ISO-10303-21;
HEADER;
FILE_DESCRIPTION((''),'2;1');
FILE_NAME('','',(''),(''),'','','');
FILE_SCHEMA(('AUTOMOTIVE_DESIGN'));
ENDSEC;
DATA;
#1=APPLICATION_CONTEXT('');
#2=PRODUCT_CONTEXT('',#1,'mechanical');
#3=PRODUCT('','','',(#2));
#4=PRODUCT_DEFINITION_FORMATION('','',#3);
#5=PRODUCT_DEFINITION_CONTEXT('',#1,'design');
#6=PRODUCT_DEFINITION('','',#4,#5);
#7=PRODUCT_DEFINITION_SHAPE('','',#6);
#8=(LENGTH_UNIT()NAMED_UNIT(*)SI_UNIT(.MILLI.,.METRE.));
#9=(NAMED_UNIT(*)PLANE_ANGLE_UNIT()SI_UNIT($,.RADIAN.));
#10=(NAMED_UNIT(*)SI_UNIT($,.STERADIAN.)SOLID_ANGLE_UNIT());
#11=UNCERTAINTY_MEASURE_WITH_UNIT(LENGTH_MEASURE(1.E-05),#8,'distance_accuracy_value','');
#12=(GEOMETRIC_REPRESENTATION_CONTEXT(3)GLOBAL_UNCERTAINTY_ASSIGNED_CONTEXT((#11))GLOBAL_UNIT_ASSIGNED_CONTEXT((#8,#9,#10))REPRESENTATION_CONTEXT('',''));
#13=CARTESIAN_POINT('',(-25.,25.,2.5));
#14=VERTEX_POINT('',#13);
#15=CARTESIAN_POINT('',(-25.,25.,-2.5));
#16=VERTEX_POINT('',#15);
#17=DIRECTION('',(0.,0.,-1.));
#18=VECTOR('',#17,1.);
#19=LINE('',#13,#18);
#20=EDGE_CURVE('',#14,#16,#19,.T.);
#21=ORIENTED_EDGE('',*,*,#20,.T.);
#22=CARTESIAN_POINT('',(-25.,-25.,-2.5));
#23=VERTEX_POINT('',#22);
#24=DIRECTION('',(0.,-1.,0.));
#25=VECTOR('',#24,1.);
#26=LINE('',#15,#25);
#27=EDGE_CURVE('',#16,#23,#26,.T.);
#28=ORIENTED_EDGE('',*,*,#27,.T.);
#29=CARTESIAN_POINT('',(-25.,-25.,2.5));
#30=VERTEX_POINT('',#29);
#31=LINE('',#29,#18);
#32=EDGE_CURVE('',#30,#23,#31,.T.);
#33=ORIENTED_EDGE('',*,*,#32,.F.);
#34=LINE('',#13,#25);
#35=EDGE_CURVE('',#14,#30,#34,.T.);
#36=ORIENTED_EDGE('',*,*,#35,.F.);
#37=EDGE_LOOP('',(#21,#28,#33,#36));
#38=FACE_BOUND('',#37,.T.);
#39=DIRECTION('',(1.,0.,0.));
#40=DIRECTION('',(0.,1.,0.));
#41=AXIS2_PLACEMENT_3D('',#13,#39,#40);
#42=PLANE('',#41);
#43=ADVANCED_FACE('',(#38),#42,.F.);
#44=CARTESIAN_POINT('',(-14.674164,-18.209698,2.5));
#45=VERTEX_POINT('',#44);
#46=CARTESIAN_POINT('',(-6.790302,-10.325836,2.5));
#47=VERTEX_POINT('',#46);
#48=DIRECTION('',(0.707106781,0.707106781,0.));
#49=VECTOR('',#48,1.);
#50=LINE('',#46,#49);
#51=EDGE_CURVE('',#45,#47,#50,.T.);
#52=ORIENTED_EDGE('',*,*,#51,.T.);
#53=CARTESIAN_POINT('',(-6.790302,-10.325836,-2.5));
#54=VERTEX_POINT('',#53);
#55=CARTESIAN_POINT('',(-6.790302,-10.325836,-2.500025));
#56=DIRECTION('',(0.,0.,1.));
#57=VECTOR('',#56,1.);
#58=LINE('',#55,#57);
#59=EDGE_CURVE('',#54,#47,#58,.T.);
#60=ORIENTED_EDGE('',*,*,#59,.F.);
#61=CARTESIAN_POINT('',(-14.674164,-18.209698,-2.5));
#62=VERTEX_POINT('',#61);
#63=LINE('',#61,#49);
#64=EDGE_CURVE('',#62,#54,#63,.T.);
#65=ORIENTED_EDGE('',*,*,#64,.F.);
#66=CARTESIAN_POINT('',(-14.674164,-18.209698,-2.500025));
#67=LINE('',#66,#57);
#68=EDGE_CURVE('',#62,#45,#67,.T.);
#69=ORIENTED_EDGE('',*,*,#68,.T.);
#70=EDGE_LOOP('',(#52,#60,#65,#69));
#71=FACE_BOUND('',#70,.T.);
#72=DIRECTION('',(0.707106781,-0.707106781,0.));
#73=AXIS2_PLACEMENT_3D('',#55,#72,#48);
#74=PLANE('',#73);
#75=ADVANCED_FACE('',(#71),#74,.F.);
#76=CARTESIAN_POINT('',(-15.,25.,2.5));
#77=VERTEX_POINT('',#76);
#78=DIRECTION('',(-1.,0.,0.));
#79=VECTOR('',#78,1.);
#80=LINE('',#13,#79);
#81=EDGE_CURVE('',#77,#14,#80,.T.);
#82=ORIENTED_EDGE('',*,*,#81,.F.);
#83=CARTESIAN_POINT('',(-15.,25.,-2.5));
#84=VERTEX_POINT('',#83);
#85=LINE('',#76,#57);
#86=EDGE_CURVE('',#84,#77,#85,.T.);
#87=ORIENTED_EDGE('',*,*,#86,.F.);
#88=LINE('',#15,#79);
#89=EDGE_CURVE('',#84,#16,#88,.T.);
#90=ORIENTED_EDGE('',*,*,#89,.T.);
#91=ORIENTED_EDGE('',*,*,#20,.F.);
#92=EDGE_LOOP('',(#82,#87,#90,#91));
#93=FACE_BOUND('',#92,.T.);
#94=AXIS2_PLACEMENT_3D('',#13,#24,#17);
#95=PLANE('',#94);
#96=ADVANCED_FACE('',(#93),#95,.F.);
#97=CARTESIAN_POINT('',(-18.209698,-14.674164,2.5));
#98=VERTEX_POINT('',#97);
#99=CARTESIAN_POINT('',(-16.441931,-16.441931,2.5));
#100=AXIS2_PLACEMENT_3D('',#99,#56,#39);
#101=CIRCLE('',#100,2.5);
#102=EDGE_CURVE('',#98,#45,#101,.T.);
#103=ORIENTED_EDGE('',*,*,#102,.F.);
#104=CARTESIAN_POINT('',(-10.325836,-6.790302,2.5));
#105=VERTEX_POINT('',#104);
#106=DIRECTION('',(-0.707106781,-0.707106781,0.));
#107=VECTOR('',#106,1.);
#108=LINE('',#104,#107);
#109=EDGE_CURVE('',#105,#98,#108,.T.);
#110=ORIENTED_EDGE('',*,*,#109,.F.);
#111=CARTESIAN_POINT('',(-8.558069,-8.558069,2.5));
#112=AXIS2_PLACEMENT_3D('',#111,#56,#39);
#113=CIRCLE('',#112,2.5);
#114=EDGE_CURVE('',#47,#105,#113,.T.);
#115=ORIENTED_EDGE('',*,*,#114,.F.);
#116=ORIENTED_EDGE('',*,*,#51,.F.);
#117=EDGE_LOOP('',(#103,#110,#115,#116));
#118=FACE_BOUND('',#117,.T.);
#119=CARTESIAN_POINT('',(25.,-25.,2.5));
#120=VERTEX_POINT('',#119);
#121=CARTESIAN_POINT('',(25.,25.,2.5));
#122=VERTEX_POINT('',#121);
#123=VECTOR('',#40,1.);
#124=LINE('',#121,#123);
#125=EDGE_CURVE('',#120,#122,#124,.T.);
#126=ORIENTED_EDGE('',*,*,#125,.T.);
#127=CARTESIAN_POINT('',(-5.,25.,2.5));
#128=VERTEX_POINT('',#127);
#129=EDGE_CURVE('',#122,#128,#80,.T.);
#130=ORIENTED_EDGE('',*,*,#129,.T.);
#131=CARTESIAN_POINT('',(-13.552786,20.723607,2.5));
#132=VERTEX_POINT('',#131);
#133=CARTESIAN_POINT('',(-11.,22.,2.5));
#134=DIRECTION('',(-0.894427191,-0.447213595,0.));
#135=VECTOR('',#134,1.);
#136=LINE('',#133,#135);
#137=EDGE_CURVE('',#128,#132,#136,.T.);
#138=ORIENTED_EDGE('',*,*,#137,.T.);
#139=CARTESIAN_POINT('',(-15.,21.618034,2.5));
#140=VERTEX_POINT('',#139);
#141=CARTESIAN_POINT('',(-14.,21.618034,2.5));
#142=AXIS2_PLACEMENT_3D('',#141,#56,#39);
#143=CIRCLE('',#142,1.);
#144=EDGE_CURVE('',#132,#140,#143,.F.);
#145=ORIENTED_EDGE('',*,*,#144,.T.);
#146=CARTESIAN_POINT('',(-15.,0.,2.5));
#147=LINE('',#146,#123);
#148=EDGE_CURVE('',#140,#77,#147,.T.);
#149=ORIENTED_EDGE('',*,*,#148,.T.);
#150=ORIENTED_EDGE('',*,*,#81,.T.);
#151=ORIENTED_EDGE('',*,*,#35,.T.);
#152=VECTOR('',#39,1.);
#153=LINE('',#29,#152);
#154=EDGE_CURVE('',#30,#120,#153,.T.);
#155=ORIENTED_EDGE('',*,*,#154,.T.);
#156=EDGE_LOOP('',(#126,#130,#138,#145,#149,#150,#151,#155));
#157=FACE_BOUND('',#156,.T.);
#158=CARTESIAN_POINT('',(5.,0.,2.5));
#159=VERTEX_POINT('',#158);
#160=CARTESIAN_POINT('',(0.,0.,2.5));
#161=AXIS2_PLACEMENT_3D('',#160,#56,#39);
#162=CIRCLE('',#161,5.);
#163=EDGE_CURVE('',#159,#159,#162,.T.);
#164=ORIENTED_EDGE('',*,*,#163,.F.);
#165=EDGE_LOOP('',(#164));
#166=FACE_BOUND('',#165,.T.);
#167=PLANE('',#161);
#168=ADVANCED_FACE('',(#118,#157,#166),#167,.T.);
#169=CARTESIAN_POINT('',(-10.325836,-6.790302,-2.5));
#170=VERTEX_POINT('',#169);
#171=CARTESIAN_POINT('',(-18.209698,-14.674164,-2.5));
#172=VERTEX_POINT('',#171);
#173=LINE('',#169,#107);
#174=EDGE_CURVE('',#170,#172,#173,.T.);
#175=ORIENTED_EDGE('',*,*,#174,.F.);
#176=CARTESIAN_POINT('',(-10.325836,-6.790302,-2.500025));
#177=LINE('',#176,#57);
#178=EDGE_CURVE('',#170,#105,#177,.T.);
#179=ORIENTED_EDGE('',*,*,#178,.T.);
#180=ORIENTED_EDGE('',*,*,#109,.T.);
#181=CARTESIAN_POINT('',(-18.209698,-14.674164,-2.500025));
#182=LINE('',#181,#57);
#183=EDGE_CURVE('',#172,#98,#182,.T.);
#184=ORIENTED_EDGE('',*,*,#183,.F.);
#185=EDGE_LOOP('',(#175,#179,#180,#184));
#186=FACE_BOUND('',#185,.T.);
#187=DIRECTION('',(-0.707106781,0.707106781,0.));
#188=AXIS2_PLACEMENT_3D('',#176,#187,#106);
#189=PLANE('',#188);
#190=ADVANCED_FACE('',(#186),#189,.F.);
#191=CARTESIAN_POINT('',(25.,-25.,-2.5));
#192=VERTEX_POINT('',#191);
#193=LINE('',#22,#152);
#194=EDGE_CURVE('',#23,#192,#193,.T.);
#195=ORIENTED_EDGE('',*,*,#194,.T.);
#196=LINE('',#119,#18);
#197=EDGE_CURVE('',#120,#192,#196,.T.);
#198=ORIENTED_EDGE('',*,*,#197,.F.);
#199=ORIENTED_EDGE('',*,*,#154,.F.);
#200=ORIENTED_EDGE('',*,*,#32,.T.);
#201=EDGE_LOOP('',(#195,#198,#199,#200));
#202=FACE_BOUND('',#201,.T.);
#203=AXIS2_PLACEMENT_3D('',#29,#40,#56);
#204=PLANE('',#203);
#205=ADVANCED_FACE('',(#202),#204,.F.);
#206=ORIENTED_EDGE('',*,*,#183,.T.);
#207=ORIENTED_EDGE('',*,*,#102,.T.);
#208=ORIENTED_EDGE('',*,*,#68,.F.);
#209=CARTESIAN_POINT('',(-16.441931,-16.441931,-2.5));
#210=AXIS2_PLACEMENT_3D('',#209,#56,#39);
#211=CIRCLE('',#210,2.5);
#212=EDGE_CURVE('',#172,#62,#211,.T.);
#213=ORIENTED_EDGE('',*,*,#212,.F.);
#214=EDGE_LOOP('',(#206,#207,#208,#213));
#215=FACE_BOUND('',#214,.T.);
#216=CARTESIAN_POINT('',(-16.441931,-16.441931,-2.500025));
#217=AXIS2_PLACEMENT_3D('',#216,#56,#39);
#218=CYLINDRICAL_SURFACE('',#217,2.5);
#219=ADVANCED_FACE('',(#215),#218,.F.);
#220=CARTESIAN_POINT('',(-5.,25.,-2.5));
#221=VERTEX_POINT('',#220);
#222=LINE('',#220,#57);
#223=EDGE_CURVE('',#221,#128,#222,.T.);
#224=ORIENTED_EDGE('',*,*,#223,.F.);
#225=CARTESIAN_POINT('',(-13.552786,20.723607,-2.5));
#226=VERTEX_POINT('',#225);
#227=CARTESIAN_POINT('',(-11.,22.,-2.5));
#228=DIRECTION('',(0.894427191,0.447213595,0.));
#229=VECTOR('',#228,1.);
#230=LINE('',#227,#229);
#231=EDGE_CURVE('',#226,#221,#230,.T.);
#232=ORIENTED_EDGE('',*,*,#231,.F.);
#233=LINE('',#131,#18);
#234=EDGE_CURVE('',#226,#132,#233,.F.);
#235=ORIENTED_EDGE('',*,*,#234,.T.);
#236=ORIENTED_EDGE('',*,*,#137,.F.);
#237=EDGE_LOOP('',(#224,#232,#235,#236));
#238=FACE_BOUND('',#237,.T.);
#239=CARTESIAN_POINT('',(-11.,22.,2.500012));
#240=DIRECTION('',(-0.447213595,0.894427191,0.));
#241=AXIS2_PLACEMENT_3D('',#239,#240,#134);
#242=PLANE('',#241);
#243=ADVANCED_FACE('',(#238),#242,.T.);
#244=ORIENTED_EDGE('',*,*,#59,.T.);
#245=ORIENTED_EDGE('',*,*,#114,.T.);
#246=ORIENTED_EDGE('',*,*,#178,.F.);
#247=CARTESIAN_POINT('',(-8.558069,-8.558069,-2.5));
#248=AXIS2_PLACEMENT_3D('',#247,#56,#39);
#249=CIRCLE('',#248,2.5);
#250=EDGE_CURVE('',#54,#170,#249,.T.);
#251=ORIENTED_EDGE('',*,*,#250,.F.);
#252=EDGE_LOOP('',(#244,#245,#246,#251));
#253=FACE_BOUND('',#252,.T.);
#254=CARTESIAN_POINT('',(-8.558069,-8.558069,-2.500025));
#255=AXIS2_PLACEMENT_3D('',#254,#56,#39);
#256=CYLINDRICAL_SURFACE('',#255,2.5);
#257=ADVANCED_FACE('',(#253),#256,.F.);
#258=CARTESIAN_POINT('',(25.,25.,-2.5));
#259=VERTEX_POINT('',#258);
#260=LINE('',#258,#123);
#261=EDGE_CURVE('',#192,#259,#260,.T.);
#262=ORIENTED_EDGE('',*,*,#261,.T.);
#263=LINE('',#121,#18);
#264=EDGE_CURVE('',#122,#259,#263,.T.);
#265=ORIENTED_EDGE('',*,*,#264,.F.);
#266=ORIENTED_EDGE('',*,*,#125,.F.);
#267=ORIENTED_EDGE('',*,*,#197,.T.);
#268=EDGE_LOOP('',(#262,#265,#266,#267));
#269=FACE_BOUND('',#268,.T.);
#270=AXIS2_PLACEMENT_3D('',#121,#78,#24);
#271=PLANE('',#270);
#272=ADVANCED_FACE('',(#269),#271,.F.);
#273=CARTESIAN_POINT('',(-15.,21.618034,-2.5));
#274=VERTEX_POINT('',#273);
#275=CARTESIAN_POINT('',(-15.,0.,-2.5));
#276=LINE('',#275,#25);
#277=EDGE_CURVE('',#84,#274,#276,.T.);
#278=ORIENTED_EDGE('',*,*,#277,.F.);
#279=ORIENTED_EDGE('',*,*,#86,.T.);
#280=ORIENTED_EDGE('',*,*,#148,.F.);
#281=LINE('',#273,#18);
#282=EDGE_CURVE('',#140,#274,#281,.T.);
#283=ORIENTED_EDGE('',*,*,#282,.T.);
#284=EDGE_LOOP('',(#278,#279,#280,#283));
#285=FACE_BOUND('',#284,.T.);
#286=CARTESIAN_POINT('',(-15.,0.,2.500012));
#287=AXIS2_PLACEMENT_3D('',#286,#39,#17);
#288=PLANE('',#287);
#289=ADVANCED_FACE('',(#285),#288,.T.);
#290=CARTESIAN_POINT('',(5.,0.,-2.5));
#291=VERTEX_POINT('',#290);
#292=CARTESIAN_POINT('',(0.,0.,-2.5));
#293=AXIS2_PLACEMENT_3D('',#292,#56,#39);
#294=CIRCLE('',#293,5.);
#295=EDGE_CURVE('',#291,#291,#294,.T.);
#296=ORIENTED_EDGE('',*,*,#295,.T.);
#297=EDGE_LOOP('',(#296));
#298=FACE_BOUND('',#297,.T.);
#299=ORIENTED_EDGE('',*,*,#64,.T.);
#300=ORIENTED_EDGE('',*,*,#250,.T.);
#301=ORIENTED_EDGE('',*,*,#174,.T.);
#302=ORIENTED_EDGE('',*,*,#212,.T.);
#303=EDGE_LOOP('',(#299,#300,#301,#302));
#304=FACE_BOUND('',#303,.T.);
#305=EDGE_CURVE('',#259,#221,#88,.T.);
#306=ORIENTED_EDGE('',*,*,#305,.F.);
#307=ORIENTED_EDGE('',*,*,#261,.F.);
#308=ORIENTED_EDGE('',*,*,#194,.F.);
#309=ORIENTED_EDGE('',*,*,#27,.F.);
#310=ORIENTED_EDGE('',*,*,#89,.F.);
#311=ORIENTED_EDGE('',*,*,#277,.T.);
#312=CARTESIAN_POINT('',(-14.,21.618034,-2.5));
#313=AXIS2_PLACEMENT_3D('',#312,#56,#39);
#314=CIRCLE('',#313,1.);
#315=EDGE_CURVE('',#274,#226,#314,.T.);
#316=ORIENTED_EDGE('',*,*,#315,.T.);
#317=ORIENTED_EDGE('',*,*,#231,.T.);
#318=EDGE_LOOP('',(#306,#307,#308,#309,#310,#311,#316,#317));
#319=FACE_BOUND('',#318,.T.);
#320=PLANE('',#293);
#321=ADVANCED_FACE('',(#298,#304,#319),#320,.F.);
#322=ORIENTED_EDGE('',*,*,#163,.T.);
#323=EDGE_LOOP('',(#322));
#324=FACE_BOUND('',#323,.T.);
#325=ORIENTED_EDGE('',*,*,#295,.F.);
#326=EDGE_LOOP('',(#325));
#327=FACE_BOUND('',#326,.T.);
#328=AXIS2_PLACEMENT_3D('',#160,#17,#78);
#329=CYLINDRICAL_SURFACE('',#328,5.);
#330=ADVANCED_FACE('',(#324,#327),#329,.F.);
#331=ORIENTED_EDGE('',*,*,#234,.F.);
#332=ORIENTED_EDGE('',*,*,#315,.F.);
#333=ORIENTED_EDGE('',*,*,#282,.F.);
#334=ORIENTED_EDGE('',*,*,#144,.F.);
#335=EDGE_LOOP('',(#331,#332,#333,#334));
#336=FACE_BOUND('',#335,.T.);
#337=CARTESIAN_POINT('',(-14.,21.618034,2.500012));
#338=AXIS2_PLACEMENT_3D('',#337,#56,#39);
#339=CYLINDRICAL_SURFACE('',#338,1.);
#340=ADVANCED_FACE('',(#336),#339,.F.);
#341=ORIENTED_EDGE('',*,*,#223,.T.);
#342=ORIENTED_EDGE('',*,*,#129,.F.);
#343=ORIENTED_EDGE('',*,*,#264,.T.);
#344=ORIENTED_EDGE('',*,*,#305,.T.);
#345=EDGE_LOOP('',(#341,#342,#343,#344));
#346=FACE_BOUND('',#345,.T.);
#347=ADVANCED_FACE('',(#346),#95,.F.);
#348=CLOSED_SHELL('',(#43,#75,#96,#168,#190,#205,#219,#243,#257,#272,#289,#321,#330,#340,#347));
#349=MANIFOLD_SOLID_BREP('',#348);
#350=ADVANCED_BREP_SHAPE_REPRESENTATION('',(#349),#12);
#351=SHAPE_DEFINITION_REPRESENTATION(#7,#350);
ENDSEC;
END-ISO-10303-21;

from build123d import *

# Parameters (mm, degrees)
SKETCH1_W               = 50
SKETCH1_H               = 50
SKETCH1_R               = 5
BOSS_EXTRUDE1_DEPTH     = 2.5
CUT_EXTRUDE2_DEPTH      = 36.707142143
CUT_EXTRUDE2_DEPTH_BACK = 5
FILLET1_R               = 1
CUT_EXTRUDE3_DEPTH      = 36.707142143


with BuildPart() as part:
    # Sketch1 → Boss-Extrude1 (new, symmetric)
    with BuildSketch(Plane.XY):
        Rectangle(SKETCH1_W, SKETCH1_H)
        Circle(SKETCH1_R, mode=Mode.SUBTRACT)
    extrude(amount=BOSS_EXTRUDE1_DEPTH, both=True)

    # Sketch4 → Cut-Extrude2 (cut, two sides: drawn at the far end of the back side and taken through both)
    with BuildSketch(Plane.XY.offset(2.5).offset(-CUT_EXTRUDE2_DEPTH_BACK)):
        Polygon((-5, 25), (-15, 25), (-15, 20), align=None)
    extrude(amount=CUT_EXTRUDE2_DEPTH + CUT_EXTRUDE2_DEPTH_BACK, mode=Mode.SUBTRACT)

    # Fillet1
    fillet1_edges = [part.edges().sort_by_distance(p)[0] for p in [
        (-15, 20, 0),
    ]]
    fillet(fillet1_edges, radius=FILLET1_R)

    # Sketch5 → Cut-Extrude3 (cut, through all)
    with BuildSketch(Plane.XY.offset(2.5)):
        with BuildLine():
            Line((-6.790302071, -10.325835977), (-14.674164023, -18.209697929))
            ThreePointArc((-14.674164023, -18.209697929), (-18.209697929, -18.209697929), (-18.209697929, -14.674164023))
            Line((-18.209697929, -14.674164023), (-10.325835977, -6.790302071))
            ThreePointArc((-10.325835977, -6.790302071), (-6.790302071, -6.790302071), (-6.790302071, -10.325835977))
        make_face()
    extrude(amount=-CUT_EXTRUDE3_DEPTH, mode=Mode.SUBTRACT)


solid = part.part
